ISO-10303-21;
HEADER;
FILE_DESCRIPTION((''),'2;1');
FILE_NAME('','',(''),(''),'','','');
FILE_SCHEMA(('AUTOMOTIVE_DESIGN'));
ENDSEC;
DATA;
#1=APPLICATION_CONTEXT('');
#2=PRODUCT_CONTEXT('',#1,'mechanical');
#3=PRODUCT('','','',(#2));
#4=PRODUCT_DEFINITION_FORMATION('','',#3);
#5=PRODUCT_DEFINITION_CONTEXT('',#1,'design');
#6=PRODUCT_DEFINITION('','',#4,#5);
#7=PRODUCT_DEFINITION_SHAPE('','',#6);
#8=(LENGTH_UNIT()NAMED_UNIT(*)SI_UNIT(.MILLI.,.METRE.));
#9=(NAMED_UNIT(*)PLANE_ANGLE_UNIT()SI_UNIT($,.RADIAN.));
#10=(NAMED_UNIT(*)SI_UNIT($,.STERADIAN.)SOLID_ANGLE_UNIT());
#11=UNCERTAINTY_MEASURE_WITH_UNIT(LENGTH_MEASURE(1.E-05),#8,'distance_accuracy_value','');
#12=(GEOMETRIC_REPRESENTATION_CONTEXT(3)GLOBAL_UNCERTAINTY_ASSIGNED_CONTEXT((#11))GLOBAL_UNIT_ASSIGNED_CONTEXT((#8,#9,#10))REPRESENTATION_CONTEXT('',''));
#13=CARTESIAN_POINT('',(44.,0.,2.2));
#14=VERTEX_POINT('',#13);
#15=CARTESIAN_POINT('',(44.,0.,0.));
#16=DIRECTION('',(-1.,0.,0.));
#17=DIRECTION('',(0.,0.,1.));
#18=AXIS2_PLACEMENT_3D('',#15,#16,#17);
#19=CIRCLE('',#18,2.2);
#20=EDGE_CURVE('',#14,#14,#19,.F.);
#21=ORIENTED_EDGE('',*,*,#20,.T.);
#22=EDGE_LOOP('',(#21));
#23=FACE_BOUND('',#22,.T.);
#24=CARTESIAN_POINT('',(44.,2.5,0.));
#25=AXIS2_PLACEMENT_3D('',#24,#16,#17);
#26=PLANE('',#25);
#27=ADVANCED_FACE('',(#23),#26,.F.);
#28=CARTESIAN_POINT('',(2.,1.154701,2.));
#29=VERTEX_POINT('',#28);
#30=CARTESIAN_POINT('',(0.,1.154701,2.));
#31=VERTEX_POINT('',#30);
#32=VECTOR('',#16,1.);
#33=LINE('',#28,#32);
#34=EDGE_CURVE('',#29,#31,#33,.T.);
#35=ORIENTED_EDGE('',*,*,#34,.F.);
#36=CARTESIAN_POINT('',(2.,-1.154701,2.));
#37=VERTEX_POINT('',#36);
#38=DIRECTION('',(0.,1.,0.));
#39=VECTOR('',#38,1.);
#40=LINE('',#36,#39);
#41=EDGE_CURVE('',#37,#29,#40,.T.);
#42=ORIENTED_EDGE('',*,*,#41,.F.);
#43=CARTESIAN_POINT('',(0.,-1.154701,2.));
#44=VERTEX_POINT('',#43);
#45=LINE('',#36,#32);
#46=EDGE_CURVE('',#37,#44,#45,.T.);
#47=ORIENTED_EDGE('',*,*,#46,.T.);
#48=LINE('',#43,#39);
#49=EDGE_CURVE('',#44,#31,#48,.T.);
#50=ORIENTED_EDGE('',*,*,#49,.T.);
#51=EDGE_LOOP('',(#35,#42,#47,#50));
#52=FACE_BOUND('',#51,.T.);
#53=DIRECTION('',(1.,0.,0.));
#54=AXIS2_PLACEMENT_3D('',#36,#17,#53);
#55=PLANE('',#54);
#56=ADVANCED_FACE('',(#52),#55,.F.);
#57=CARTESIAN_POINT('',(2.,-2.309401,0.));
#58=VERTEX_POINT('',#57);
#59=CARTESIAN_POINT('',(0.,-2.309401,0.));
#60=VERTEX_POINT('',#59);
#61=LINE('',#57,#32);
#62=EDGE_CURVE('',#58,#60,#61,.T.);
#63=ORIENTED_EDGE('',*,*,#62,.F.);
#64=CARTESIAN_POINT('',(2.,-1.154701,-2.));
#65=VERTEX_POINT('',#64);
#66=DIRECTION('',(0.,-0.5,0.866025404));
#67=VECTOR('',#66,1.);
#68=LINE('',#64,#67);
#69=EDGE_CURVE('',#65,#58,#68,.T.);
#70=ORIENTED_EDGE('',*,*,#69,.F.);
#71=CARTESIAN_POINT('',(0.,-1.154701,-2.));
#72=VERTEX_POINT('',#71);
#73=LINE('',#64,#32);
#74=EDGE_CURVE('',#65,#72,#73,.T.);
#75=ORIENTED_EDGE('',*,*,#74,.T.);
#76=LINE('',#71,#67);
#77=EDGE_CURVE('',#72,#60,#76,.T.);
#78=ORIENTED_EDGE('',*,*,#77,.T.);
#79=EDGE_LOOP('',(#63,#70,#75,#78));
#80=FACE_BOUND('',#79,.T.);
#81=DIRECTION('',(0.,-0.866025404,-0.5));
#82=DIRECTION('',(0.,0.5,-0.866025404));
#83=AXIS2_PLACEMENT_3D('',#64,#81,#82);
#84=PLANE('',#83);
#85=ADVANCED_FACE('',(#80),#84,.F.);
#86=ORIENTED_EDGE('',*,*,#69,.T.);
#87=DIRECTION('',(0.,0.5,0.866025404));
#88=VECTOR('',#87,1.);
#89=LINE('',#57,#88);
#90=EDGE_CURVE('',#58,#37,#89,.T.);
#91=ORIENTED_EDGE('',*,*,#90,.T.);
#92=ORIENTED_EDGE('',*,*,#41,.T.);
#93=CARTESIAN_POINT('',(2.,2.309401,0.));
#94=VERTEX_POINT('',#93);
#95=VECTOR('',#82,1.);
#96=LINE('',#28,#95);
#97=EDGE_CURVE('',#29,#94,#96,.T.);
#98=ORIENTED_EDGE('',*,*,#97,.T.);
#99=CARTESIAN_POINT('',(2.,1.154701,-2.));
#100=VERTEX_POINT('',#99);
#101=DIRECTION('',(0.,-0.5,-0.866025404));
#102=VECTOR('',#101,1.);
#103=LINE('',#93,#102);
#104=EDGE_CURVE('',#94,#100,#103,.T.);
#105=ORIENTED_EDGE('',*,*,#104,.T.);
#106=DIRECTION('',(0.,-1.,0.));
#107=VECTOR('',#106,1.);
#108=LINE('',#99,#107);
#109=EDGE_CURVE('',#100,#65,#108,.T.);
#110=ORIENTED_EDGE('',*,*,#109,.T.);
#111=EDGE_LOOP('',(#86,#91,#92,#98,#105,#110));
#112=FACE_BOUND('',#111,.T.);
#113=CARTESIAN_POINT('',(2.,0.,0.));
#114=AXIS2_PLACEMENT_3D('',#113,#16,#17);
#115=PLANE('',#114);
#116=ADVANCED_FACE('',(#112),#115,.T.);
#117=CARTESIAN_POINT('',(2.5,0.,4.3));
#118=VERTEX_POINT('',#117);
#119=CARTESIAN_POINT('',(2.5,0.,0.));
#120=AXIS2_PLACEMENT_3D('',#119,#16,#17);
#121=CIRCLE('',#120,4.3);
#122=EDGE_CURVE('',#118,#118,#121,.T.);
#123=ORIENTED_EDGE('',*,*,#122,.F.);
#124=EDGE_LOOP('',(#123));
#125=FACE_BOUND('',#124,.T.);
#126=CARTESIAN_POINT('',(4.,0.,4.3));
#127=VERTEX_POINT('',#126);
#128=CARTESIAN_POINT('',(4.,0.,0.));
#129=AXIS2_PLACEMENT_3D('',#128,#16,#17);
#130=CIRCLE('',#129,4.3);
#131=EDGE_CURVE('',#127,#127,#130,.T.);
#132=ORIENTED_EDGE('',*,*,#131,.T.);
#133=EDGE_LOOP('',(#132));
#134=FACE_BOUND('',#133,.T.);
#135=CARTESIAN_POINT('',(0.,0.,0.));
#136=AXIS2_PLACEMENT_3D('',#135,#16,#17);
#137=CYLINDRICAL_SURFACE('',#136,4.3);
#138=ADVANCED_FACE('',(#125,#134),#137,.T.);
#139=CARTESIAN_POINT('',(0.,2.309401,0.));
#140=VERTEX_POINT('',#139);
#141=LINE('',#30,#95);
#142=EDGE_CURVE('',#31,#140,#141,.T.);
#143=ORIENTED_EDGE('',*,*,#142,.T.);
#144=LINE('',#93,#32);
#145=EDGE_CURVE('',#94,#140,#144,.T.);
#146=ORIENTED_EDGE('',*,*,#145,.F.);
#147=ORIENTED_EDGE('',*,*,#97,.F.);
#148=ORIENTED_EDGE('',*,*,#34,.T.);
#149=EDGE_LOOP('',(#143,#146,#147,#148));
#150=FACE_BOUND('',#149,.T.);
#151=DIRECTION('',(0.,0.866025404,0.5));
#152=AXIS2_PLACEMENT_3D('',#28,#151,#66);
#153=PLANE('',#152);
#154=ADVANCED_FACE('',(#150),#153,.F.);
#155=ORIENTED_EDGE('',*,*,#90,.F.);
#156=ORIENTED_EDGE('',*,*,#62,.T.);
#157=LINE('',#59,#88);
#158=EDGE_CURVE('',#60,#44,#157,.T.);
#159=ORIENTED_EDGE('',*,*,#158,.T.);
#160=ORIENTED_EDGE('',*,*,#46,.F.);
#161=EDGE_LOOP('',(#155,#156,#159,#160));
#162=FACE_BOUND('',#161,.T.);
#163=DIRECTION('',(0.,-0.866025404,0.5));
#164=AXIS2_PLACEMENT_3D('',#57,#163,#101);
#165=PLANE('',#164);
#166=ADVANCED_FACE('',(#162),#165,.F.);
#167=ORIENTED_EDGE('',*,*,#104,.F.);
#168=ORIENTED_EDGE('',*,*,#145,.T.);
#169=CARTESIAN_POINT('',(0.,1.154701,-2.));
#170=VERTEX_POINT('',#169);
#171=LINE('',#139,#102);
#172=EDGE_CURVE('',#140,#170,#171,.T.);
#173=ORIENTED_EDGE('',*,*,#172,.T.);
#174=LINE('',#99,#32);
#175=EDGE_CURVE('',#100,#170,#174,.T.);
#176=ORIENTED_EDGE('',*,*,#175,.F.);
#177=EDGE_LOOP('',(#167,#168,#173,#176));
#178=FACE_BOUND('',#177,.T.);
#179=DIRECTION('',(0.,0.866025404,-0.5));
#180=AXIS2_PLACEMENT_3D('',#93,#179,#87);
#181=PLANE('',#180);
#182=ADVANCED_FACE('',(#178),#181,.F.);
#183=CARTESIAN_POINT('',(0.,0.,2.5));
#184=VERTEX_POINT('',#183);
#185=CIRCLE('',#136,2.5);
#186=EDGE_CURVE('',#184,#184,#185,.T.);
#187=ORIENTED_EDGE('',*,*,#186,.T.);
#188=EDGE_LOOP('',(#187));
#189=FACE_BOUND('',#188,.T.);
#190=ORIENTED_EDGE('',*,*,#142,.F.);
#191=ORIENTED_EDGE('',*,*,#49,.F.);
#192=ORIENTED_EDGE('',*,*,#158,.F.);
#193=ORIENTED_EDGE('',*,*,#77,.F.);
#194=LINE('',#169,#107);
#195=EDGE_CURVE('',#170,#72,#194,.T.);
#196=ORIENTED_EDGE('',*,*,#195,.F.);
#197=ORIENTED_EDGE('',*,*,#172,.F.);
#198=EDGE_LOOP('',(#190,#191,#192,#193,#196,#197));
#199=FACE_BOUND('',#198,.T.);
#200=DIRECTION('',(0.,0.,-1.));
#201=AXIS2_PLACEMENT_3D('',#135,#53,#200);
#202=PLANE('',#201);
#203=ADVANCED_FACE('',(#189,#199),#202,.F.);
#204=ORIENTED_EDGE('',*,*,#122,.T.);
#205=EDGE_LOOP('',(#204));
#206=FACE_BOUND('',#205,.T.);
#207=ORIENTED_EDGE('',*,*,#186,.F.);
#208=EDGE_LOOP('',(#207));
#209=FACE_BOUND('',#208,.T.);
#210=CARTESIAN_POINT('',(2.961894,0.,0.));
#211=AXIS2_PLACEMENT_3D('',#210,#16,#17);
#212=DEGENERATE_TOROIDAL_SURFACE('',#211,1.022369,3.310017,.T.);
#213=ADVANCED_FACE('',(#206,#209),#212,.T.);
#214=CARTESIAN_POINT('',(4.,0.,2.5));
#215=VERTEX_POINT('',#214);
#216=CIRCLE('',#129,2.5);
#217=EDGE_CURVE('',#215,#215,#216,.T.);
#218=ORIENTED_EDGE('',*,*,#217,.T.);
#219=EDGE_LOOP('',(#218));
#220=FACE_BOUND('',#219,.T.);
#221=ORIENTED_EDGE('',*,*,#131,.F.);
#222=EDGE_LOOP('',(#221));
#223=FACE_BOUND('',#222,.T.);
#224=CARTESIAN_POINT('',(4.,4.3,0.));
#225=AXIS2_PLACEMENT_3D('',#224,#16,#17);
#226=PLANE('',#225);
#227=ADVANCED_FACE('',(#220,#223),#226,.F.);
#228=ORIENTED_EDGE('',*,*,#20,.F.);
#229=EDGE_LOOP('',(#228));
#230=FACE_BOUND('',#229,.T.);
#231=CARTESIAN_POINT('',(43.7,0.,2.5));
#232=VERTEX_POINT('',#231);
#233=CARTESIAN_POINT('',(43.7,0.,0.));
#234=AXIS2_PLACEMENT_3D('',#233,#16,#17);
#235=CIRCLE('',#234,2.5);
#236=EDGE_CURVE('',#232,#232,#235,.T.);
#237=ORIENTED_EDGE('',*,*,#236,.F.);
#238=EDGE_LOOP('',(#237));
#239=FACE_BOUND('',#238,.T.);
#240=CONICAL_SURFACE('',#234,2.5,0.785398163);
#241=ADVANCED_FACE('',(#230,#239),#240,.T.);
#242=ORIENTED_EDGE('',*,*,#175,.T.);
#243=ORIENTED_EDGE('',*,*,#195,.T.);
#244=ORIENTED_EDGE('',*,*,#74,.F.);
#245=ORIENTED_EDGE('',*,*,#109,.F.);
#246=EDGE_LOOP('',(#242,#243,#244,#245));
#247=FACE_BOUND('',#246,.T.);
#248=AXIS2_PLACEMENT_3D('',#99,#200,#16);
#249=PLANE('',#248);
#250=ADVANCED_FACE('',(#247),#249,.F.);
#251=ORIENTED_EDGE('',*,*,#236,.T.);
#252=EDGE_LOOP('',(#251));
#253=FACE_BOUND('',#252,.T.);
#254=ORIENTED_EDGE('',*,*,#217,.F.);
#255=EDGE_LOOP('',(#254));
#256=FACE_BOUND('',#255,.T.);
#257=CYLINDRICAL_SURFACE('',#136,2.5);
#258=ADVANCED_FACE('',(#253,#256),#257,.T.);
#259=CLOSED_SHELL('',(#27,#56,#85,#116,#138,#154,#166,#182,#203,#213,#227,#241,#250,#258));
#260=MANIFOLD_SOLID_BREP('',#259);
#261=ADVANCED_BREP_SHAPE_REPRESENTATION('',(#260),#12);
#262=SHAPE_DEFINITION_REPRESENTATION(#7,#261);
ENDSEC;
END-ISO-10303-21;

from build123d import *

# Parameters (mm, degrees)
CHAMFER1_SIZE      = 0.3
CUT_EXTRUDE1_DEPTH = 2


with BuildPart() as part:
    # Sketch1 → Revolve1 (revolve)
    with BuildSketch(Plane.XY):
        with BuildLine():
            Line((0, 0), (44, 0))
            Line((44, 0), (44, 2.5))
            Line((44, 2.5), (4, 2.5))
            Line((4, 2.5), (4, 4.3))
            Line((4, 4.3), (2.5, 4.3))
            ThreePointArc((2.5, 4.3), (1.027835828, 3.70856135), (0, 2.5))
            Line((0, 2.5), (0, 0))
        make_face()
    revolve(axis=Axis((0, 0, 0), (1, 0, 0)))

    # Chamfer1
    chamfer1_edges = [part.edges().sort_by_distance(p)[0] for p in [
        (44, -2.5, 0),
    ]]
    chamfer(chamfer1_edges, length=CHAMFER1_SIZE)

    # Sketch2 → Cut-Extrude1 (cut)
    with BuildSketch(Plane.ZY):
        Polygon((0, 2.309401077), (-2, 1.154700538), (-2, -1.154700538), (0, -2.309401077), (2, -1.154700538), (2, 1.154700538), align=None)
    extrude(amount=-CUT_EXTRUDE1_DEPTH, mode=Mode.SUBTRACT)


solid = part.part
